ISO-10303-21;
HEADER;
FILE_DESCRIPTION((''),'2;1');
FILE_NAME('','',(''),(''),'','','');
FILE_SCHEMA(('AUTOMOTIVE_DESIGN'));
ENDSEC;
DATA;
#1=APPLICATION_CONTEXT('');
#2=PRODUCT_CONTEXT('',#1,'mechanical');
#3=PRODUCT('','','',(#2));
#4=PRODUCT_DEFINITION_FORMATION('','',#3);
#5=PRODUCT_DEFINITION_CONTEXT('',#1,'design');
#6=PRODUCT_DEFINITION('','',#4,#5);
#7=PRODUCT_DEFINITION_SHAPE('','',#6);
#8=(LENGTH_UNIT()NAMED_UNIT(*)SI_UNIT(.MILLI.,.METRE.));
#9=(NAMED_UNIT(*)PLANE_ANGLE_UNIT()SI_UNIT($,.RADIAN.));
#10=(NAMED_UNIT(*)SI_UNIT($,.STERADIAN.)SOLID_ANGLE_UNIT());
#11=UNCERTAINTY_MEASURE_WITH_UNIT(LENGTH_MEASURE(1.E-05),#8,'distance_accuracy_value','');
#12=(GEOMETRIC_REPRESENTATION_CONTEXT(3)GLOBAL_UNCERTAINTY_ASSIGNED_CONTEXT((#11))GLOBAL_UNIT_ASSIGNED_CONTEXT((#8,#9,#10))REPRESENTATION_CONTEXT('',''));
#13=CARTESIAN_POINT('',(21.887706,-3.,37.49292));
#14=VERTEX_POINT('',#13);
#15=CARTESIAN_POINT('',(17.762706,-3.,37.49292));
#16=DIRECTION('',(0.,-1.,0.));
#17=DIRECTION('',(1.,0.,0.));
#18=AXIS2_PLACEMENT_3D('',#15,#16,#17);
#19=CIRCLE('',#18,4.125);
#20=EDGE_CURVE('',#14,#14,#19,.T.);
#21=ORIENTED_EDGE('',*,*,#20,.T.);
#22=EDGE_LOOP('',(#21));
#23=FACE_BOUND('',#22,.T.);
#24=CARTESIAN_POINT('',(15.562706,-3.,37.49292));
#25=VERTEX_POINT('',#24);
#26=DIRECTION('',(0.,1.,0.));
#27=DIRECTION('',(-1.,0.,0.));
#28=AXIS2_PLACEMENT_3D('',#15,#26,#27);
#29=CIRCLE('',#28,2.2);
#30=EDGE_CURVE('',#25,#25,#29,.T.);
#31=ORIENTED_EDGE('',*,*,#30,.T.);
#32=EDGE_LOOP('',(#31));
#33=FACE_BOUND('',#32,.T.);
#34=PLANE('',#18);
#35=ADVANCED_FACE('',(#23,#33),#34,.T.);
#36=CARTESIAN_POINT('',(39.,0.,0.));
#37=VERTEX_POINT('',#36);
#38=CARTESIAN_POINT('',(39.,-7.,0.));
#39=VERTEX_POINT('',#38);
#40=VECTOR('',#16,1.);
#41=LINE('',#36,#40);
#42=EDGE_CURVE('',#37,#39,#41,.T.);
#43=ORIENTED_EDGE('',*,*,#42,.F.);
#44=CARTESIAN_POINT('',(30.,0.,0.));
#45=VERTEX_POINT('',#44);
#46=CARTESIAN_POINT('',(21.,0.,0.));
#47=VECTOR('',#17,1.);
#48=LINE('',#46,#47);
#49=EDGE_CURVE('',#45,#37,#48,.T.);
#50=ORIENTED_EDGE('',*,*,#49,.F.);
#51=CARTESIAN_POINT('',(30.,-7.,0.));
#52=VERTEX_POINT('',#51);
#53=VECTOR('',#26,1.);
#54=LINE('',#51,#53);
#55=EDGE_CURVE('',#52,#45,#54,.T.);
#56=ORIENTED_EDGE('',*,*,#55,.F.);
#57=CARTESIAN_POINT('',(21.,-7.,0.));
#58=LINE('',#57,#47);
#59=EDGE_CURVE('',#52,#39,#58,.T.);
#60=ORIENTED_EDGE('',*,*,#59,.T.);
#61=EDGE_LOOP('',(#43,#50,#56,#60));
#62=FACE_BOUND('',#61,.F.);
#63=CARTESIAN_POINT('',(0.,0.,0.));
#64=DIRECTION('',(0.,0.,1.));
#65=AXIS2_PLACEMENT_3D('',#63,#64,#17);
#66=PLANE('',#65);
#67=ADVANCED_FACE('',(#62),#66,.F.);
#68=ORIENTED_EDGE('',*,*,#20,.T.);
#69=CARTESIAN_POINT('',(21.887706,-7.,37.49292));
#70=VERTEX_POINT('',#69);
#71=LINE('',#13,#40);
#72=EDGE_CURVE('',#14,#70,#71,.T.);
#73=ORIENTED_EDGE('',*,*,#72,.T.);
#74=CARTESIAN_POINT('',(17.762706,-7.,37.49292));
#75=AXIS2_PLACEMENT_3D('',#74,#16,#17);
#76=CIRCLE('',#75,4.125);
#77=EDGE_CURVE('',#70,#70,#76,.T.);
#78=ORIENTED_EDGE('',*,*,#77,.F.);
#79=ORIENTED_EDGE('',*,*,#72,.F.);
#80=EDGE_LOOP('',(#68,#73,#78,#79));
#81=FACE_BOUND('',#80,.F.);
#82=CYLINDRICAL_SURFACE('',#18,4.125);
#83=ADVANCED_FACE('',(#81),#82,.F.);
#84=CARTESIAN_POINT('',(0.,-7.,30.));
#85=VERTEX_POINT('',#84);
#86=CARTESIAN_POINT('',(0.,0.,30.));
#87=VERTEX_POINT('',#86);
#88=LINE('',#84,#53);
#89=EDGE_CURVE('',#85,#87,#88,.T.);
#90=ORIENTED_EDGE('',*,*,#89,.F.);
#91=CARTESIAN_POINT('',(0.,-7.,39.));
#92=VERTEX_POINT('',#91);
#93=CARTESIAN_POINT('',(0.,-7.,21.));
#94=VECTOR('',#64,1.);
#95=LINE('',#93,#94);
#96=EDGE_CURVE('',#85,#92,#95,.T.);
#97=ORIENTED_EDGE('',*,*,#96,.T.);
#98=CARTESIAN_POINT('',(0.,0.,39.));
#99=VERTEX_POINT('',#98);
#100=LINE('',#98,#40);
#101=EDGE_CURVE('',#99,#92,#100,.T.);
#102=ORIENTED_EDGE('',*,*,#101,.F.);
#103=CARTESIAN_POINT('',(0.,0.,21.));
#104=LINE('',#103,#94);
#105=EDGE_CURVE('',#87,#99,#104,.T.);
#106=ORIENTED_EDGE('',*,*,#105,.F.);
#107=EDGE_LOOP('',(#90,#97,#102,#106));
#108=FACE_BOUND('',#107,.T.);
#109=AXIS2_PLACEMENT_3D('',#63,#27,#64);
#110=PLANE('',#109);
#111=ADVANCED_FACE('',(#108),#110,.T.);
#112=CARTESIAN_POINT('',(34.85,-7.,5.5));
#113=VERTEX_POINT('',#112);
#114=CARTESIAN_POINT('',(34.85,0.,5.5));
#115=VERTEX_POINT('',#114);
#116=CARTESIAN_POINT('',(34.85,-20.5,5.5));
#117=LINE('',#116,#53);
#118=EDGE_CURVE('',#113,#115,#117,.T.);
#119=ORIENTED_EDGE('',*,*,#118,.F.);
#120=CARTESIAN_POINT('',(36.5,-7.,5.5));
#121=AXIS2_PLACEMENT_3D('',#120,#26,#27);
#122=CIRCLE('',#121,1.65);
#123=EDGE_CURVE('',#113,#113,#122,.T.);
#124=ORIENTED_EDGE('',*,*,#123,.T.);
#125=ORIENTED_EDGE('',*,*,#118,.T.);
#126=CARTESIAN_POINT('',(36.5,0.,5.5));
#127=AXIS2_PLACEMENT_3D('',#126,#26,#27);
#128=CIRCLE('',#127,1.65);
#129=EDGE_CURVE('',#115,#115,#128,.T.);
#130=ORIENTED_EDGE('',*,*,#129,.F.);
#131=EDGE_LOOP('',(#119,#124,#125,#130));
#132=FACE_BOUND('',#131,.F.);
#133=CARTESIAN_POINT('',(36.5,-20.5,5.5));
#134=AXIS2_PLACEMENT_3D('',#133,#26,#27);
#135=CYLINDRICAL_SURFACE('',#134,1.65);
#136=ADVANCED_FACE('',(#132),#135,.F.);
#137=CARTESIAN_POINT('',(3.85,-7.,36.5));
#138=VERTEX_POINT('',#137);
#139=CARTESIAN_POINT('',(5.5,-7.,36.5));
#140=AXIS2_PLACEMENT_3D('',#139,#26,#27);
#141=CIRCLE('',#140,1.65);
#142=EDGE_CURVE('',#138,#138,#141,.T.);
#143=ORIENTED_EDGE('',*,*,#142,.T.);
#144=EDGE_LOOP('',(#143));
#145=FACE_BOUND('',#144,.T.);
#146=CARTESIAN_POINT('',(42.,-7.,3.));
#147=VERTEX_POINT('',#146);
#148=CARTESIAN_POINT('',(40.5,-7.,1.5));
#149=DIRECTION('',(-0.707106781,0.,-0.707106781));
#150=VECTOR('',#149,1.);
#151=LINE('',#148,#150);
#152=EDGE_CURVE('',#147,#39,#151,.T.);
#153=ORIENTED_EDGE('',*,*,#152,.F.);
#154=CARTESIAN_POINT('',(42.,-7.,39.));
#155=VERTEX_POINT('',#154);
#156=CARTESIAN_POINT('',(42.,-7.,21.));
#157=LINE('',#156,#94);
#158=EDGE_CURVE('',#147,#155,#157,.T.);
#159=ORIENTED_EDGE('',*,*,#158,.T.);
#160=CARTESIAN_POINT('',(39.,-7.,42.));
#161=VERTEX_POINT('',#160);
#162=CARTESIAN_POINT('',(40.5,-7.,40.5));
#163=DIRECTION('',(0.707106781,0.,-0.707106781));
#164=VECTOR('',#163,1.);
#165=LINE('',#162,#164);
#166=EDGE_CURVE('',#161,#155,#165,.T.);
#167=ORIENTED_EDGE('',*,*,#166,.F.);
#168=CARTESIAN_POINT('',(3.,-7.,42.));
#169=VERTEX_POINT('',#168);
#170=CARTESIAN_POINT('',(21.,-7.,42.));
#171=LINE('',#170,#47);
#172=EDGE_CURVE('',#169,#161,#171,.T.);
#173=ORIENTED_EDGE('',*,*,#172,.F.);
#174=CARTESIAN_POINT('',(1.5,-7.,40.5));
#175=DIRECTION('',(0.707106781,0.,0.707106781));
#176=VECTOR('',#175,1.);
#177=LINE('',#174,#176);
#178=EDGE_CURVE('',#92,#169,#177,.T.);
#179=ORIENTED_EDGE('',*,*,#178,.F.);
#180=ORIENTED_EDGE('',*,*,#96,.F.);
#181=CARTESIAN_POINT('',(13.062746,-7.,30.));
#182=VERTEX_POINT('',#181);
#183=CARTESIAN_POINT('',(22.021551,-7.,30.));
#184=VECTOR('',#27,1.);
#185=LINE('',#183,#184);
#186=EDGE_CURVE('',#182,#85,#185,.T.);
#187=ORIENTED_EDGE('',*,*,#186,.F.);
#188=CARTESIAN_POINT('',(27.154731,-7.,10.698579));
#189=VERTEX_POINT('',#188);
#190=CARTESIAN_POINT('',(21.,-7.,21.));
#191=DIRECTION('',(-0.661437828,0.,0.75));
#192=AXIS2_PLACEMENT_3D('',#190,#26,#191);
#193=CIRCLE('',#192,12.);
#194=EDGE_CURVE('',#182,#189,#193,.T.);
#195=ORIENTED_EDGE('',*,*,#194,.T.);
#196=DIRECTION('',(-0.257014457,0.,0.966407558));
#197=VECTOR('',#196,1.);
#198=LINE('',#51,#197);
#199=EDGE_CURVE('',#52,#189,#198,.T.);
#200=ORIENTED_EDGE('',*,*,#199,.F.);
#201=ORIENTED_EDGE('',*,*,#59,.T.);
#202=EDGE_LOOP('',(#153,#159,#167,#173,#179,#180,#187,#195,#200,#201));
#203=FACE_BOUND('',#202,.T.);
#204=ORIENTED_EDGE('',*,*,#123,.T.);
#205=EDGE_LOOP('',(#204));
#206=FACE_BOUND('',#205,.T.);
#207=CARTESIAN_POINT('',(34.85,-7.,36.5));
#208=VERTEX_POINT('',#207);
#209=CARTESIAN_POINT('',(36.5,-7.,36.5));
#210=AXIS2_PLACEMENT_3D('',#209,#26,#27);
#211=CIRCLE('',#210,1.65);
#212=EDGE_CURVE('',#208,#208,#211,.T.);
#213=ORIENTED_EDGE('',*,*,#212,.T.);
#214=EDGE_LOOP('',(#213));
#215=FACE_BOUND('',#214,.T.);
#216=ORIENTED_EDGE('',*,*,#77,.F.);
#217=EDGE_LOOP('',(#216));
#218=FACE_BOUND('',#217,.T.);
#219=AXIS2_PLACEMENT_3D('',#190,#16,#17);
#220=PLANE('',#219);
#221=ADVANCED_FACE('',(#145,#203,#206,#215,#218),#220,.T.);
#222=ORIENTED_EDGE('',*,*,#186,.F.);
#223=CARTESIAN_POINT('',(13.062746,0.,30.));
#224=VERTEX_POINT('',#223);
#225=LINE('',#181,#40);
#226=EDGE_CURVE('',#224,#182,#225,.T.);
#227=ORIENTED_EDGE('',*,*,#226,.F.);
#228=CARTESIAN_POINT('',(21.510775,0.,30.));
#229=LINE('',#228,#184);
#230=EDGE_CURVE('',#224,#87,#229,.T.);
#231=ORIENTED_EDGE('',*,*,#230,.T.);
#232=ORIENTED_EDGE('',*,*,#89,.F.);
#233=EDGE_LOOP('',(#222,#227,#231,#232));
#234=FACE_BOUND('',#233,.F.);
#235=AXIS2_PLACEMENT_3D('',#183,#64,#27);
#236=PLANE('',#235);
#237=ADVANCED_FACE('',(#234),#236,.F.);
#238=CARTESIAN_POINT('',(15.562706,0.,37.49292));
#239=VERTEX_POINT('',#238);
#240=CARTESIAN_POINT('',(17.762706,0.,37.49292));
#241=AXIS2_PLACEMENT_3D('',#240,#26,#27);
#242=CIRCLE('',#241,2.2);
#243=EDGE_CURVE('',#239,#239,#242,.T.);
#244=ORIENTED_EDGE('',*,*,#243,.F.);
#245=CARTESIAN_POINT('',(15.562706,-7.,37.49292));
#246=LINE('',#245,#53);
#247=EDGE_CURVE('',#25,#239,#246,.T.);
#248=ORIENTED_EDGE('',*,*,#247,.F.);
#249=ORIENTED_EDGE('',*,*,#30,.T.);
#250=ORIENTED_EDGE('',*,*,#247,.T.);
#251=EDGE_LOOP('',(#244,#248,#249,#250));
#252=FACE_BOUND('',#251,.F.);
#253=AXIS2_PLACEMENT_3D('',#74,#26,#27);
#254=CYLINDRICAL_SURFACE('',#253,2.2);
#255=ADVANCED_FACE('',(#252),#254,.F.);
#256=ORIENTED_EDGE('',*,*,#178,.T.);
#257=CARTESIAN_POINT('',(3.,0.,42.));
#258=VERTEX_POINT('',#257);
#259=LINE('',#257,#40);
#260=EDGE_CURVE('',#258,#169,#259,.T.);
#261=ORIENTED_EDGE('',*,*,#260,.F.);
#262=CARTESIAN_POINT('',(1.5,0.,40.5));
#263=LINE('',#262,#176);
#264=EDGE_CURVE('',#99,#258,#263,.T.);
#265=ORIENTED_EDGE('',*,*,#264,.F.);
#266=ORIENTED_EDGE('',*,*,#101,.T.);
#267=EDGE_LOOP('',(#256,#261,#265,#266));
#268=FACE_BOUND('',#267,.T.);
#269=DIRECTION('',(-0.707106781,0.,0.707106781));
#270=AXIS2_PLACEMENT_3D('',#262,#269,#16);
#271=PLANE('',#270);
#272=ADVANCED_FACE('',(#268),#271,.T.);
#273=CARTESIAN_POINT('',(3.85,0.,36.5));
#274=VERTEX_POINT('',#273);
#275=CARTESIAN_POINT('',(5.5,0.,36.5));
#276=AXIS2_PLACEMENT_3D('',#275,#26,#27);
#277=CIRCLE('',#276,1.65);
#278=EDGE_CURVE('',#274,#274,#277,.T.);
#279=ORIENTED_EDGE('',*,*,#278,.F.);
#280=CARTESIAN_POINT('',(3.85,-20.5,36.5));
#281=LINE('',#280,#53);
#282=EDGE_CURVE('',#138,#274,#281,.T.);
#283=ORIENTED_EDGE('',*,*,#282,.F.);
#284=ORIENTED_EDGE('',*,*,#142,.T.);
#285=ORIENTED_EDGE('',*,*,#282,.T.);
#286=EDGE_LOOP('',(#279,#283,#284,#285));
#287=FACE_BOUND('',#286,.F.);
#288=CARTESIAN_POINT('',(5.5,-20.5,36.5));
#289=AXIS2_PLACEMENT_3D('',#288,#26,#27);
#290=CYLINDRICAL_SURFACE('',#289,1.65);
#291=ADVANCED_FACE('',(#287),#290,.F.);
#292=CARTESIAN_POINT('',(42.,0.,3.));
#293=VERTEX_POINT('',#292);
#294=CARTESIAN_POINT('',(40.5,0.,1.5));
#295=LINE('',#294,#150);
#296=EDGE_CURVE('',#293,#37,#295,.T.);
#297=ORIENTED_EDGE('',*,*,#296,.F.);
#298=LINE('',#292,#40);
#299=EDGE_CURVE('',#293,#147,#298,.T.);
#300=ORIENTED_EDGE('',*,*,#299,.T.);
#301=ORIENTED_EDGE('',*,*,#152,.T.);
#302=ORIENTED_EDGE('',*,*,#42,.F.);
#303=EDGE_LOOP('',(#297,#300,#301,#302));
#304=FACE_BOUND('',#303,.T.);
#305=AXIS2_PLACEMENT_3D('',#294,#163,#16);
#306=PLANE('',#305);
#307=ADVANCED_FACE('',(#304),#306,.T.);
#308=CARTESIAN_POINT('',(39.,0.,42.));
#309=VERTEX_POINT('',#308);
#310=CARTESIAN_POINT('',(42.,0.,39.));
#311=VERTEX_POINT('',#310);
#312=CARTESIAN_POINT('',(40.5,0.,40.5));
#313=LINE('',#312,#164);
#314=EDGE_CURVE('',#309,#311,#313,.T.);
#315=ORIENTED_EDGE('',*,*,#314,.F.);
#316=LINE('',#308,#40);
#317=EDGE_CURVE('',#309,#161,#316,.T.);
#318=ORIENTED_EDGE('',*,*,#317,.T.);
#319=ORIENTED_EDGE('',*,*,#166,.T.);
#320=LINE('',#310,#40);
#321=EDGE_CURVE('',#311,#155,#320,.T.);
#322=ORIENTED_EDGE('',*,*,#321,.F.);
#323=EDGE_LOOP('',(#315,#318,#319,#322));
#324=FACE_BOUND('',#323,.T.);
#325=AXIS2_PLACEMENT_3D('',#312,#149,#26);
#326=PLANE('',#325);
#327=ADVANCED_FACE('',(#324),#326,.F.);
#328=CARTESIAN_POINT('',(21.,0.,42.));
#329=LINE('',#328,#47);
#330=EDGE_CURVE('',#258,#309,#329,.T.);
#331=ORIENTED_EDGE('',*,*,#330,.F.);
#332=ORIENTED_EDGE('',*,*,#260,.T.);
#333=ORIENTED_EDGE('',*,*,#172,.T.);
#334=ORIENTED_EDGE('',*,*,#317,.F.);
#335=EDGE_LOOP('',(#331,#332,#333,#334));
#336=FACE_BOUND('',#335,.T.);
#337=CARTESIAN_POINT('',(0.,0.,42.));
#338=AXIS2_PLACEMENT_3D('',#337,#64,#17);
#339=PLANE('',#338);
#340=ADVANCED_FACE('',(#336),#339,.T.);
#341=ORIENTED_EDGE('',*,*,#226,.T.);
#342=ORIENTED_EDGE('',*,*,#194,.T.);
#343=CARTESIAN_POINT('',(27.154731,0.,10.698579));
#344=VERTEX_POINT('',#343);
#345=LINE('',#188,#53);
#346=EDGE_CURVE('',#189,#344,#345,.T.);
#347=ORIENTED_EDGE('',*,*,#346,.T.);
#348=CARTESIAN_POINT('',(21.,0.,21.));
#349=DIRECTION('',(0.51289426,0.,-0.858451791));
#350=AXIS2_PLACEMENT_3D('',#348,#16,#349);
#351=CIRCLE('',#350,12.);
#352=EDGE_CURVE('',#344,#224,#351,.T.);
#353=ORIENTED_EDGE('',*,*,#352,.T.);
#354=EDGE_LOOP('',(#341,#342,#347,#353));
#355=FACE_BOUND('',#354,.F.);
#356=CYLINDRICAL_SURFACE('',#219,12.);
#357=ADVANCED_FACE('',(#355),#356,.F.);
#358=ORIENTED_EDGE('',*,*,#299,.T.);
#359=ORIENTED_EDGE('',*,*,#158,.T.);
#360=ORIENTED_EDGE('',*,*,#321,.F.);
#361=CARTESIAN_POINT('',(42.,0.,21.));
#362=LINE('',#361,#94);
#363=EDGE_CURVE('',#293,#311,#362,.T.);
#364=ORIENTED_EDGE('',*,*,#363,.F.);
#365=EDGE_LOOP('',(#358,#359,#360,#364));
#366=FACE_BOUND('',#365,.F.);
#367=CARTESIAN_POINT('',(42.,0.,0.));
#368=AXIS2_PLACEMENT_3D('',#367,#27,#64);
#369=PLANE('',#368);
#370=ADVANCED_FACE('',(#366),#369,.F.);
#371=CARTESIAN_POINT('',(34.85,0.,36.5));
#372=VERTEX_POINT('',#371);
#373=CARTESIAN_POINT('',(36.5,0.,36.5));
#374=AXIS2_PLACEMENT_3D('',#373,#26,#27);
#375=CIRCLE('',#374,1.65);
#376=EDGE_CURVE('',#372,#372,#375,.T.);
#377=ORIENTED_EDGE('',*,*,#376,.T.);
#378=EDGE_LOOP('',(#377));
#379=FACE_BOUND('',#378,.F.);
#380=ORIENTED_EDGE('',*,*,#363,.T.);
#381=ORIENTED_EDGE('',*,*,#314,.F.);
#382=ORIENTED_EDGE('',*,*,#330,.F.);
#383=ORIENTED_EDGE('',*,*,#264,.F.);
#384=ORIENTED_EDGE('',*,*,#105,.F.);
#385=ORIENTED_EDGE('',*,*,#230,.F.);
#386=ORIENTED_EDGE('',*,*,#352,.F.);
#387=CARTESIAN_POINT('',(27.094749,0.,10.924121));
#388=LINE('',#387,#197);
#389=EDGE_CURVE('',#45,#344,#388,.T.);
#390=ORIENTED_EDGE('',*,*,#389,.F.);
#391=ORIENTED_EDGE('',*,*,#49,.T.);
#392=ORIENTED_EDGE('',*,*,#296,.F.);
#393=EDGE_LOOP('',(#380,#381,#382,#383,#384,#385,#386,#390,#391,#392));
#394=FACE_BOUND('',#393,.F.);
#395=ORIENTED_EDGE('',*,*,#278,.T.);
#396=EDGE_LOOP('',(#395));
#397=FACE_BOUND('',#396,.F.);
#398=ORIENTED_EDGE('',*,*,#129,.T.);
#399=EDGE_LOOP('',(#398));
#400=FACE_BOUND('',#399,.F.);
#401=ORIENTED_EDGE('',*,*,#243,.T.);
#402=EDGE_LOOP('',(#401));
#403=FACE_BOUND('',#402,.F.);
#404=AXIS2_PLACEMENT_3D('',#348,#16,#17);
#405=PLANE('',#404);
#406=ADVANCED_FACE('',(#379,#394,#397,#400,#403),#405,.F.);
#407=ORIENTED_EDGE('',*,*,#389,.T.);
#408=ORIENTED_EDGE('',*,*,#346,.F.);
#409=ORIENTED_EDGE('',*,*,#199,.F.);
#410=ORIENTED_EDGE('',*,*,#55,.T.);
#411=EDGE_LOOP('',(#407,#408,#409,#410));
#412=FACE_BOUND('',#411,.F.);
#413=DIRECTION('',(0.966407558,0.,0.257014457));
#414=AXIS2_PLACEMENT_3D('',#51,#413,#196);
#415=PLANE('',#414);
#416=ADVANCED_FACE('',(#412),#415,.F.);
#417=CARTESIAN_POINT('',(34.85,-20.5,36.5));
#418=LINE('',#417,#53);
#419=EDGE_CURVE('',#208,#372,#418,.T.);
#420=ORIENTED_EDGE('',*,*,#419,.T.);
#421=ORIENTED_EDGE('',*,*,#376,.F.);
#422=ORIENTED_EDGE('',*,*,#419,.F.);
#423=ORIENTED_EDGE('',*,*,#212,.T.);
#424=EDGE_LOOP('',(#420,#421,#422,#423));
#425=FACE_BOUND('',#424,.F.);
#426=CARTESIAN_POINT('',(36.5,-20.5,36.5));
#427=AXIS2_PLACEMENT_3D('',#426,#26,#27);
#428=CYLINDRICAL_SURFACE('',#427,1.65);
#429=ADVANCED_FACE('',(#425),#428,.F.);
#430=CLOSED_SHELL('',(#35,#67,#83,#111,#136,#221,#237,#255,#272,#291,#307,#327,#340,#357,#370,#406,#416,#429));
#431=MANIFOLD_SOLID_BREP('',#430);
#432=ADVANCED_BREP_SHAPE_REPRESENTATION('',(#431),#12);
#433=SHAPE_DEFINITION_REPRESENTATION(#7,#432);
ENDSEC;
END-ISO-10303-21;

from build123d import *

# Parameters (mm, degrees)
F0_W            = 42
F0_H            = 42
F1_DEPTH        = 7
F2_R            = 12
F3_DEPTH        = 25
F5_DEPTH        = 25
F7_D            = 3.3
F7_DEPTH        = 13.5
F7_TIP          = 0.9914200214
F8_SIZE         = 3
F10_D           = 4.4
F10_CBORE_D     = 8.25
F10_CBORE_DEPTH = 4


with BuildPart() as f1:
    # F0 (on Front) → F1 (new body)
    with BuildSketch(Plane.XZ):
        with Locations((21, 21)):
            Rectangle(F0_W, F0_H)
    extrude(amount=F1_DEPTH)

    # F2 (on face) → F3 (cut)
    with BuildSketch(Plane.XZ.offset(7)):
        with Locations((21, 21)):
            Circle(F2_R)
    extrude(amount=-F3_DEPTH, mode=Mode.SUBTRACT)

    # F4 (on face) → F5 (cut)
    with BuildSketch(Plane.XZ.offset(7)):
        with BuildLine():
            Line((13.0627460668, 30), (0, 30))
            Line((0, 30), (0, 0))
            Line((0, 0), (30, 0))
            Line((30, 0), (27.1547311219, 10.698578505))
            ThreePointArc((27.1547311219, 10.698578505), (11.3082217924, 13.9240240832), (13.0627460668, 30))
        make_face()
        with BuildLine():
            Line((22.0215506852, 30), (13.0627460668, 30))
            ThreePointArc((13.0627460668, 30), (11.3082217924, 13.9240240832), (27.1547311219, 10.698578505))
            Line((27.1547311219, 10.698578505), (22.0215506852, 30))
        make_face()
    extrude(amount=-F5_DEPTH, mode=Mode.SUBTRACT)

    # F7
    with Locations(Plane.XZ.offset(7)):
        with Locations((5.5, 36.5), (36.5, 36.5), (36.5, 5.5)):
            Hole(F7_D / 2, depth=F7_DEPTH)
            with Locations((0, 0, -(F7_DEPTH + F7_TIP / 2))):  # 118° drill point
                Cone(0, F7_D / 2, F7_TIP, mode=Mode.SUBTRACT)

    # F8
    f8_edges = [f1.edges().sort_by_distance(p)[0] for p in [
        (0, -3.5, 42),
        (42, -3.5, 42),
        (42, -3.5, 0),
    ]]
    chamfer(f8_edges, length=F8_SIZE)

    # F10 (through all)
    with Locations(Plane.XZ.offset(7)):
        with Locations((17.7627056837, 37.4929197133)):
            CounterBoreHole(F10_D / 2, F10_CBORE_D / 2, F10_CBORE_DEPTH)


solid = f1.part
